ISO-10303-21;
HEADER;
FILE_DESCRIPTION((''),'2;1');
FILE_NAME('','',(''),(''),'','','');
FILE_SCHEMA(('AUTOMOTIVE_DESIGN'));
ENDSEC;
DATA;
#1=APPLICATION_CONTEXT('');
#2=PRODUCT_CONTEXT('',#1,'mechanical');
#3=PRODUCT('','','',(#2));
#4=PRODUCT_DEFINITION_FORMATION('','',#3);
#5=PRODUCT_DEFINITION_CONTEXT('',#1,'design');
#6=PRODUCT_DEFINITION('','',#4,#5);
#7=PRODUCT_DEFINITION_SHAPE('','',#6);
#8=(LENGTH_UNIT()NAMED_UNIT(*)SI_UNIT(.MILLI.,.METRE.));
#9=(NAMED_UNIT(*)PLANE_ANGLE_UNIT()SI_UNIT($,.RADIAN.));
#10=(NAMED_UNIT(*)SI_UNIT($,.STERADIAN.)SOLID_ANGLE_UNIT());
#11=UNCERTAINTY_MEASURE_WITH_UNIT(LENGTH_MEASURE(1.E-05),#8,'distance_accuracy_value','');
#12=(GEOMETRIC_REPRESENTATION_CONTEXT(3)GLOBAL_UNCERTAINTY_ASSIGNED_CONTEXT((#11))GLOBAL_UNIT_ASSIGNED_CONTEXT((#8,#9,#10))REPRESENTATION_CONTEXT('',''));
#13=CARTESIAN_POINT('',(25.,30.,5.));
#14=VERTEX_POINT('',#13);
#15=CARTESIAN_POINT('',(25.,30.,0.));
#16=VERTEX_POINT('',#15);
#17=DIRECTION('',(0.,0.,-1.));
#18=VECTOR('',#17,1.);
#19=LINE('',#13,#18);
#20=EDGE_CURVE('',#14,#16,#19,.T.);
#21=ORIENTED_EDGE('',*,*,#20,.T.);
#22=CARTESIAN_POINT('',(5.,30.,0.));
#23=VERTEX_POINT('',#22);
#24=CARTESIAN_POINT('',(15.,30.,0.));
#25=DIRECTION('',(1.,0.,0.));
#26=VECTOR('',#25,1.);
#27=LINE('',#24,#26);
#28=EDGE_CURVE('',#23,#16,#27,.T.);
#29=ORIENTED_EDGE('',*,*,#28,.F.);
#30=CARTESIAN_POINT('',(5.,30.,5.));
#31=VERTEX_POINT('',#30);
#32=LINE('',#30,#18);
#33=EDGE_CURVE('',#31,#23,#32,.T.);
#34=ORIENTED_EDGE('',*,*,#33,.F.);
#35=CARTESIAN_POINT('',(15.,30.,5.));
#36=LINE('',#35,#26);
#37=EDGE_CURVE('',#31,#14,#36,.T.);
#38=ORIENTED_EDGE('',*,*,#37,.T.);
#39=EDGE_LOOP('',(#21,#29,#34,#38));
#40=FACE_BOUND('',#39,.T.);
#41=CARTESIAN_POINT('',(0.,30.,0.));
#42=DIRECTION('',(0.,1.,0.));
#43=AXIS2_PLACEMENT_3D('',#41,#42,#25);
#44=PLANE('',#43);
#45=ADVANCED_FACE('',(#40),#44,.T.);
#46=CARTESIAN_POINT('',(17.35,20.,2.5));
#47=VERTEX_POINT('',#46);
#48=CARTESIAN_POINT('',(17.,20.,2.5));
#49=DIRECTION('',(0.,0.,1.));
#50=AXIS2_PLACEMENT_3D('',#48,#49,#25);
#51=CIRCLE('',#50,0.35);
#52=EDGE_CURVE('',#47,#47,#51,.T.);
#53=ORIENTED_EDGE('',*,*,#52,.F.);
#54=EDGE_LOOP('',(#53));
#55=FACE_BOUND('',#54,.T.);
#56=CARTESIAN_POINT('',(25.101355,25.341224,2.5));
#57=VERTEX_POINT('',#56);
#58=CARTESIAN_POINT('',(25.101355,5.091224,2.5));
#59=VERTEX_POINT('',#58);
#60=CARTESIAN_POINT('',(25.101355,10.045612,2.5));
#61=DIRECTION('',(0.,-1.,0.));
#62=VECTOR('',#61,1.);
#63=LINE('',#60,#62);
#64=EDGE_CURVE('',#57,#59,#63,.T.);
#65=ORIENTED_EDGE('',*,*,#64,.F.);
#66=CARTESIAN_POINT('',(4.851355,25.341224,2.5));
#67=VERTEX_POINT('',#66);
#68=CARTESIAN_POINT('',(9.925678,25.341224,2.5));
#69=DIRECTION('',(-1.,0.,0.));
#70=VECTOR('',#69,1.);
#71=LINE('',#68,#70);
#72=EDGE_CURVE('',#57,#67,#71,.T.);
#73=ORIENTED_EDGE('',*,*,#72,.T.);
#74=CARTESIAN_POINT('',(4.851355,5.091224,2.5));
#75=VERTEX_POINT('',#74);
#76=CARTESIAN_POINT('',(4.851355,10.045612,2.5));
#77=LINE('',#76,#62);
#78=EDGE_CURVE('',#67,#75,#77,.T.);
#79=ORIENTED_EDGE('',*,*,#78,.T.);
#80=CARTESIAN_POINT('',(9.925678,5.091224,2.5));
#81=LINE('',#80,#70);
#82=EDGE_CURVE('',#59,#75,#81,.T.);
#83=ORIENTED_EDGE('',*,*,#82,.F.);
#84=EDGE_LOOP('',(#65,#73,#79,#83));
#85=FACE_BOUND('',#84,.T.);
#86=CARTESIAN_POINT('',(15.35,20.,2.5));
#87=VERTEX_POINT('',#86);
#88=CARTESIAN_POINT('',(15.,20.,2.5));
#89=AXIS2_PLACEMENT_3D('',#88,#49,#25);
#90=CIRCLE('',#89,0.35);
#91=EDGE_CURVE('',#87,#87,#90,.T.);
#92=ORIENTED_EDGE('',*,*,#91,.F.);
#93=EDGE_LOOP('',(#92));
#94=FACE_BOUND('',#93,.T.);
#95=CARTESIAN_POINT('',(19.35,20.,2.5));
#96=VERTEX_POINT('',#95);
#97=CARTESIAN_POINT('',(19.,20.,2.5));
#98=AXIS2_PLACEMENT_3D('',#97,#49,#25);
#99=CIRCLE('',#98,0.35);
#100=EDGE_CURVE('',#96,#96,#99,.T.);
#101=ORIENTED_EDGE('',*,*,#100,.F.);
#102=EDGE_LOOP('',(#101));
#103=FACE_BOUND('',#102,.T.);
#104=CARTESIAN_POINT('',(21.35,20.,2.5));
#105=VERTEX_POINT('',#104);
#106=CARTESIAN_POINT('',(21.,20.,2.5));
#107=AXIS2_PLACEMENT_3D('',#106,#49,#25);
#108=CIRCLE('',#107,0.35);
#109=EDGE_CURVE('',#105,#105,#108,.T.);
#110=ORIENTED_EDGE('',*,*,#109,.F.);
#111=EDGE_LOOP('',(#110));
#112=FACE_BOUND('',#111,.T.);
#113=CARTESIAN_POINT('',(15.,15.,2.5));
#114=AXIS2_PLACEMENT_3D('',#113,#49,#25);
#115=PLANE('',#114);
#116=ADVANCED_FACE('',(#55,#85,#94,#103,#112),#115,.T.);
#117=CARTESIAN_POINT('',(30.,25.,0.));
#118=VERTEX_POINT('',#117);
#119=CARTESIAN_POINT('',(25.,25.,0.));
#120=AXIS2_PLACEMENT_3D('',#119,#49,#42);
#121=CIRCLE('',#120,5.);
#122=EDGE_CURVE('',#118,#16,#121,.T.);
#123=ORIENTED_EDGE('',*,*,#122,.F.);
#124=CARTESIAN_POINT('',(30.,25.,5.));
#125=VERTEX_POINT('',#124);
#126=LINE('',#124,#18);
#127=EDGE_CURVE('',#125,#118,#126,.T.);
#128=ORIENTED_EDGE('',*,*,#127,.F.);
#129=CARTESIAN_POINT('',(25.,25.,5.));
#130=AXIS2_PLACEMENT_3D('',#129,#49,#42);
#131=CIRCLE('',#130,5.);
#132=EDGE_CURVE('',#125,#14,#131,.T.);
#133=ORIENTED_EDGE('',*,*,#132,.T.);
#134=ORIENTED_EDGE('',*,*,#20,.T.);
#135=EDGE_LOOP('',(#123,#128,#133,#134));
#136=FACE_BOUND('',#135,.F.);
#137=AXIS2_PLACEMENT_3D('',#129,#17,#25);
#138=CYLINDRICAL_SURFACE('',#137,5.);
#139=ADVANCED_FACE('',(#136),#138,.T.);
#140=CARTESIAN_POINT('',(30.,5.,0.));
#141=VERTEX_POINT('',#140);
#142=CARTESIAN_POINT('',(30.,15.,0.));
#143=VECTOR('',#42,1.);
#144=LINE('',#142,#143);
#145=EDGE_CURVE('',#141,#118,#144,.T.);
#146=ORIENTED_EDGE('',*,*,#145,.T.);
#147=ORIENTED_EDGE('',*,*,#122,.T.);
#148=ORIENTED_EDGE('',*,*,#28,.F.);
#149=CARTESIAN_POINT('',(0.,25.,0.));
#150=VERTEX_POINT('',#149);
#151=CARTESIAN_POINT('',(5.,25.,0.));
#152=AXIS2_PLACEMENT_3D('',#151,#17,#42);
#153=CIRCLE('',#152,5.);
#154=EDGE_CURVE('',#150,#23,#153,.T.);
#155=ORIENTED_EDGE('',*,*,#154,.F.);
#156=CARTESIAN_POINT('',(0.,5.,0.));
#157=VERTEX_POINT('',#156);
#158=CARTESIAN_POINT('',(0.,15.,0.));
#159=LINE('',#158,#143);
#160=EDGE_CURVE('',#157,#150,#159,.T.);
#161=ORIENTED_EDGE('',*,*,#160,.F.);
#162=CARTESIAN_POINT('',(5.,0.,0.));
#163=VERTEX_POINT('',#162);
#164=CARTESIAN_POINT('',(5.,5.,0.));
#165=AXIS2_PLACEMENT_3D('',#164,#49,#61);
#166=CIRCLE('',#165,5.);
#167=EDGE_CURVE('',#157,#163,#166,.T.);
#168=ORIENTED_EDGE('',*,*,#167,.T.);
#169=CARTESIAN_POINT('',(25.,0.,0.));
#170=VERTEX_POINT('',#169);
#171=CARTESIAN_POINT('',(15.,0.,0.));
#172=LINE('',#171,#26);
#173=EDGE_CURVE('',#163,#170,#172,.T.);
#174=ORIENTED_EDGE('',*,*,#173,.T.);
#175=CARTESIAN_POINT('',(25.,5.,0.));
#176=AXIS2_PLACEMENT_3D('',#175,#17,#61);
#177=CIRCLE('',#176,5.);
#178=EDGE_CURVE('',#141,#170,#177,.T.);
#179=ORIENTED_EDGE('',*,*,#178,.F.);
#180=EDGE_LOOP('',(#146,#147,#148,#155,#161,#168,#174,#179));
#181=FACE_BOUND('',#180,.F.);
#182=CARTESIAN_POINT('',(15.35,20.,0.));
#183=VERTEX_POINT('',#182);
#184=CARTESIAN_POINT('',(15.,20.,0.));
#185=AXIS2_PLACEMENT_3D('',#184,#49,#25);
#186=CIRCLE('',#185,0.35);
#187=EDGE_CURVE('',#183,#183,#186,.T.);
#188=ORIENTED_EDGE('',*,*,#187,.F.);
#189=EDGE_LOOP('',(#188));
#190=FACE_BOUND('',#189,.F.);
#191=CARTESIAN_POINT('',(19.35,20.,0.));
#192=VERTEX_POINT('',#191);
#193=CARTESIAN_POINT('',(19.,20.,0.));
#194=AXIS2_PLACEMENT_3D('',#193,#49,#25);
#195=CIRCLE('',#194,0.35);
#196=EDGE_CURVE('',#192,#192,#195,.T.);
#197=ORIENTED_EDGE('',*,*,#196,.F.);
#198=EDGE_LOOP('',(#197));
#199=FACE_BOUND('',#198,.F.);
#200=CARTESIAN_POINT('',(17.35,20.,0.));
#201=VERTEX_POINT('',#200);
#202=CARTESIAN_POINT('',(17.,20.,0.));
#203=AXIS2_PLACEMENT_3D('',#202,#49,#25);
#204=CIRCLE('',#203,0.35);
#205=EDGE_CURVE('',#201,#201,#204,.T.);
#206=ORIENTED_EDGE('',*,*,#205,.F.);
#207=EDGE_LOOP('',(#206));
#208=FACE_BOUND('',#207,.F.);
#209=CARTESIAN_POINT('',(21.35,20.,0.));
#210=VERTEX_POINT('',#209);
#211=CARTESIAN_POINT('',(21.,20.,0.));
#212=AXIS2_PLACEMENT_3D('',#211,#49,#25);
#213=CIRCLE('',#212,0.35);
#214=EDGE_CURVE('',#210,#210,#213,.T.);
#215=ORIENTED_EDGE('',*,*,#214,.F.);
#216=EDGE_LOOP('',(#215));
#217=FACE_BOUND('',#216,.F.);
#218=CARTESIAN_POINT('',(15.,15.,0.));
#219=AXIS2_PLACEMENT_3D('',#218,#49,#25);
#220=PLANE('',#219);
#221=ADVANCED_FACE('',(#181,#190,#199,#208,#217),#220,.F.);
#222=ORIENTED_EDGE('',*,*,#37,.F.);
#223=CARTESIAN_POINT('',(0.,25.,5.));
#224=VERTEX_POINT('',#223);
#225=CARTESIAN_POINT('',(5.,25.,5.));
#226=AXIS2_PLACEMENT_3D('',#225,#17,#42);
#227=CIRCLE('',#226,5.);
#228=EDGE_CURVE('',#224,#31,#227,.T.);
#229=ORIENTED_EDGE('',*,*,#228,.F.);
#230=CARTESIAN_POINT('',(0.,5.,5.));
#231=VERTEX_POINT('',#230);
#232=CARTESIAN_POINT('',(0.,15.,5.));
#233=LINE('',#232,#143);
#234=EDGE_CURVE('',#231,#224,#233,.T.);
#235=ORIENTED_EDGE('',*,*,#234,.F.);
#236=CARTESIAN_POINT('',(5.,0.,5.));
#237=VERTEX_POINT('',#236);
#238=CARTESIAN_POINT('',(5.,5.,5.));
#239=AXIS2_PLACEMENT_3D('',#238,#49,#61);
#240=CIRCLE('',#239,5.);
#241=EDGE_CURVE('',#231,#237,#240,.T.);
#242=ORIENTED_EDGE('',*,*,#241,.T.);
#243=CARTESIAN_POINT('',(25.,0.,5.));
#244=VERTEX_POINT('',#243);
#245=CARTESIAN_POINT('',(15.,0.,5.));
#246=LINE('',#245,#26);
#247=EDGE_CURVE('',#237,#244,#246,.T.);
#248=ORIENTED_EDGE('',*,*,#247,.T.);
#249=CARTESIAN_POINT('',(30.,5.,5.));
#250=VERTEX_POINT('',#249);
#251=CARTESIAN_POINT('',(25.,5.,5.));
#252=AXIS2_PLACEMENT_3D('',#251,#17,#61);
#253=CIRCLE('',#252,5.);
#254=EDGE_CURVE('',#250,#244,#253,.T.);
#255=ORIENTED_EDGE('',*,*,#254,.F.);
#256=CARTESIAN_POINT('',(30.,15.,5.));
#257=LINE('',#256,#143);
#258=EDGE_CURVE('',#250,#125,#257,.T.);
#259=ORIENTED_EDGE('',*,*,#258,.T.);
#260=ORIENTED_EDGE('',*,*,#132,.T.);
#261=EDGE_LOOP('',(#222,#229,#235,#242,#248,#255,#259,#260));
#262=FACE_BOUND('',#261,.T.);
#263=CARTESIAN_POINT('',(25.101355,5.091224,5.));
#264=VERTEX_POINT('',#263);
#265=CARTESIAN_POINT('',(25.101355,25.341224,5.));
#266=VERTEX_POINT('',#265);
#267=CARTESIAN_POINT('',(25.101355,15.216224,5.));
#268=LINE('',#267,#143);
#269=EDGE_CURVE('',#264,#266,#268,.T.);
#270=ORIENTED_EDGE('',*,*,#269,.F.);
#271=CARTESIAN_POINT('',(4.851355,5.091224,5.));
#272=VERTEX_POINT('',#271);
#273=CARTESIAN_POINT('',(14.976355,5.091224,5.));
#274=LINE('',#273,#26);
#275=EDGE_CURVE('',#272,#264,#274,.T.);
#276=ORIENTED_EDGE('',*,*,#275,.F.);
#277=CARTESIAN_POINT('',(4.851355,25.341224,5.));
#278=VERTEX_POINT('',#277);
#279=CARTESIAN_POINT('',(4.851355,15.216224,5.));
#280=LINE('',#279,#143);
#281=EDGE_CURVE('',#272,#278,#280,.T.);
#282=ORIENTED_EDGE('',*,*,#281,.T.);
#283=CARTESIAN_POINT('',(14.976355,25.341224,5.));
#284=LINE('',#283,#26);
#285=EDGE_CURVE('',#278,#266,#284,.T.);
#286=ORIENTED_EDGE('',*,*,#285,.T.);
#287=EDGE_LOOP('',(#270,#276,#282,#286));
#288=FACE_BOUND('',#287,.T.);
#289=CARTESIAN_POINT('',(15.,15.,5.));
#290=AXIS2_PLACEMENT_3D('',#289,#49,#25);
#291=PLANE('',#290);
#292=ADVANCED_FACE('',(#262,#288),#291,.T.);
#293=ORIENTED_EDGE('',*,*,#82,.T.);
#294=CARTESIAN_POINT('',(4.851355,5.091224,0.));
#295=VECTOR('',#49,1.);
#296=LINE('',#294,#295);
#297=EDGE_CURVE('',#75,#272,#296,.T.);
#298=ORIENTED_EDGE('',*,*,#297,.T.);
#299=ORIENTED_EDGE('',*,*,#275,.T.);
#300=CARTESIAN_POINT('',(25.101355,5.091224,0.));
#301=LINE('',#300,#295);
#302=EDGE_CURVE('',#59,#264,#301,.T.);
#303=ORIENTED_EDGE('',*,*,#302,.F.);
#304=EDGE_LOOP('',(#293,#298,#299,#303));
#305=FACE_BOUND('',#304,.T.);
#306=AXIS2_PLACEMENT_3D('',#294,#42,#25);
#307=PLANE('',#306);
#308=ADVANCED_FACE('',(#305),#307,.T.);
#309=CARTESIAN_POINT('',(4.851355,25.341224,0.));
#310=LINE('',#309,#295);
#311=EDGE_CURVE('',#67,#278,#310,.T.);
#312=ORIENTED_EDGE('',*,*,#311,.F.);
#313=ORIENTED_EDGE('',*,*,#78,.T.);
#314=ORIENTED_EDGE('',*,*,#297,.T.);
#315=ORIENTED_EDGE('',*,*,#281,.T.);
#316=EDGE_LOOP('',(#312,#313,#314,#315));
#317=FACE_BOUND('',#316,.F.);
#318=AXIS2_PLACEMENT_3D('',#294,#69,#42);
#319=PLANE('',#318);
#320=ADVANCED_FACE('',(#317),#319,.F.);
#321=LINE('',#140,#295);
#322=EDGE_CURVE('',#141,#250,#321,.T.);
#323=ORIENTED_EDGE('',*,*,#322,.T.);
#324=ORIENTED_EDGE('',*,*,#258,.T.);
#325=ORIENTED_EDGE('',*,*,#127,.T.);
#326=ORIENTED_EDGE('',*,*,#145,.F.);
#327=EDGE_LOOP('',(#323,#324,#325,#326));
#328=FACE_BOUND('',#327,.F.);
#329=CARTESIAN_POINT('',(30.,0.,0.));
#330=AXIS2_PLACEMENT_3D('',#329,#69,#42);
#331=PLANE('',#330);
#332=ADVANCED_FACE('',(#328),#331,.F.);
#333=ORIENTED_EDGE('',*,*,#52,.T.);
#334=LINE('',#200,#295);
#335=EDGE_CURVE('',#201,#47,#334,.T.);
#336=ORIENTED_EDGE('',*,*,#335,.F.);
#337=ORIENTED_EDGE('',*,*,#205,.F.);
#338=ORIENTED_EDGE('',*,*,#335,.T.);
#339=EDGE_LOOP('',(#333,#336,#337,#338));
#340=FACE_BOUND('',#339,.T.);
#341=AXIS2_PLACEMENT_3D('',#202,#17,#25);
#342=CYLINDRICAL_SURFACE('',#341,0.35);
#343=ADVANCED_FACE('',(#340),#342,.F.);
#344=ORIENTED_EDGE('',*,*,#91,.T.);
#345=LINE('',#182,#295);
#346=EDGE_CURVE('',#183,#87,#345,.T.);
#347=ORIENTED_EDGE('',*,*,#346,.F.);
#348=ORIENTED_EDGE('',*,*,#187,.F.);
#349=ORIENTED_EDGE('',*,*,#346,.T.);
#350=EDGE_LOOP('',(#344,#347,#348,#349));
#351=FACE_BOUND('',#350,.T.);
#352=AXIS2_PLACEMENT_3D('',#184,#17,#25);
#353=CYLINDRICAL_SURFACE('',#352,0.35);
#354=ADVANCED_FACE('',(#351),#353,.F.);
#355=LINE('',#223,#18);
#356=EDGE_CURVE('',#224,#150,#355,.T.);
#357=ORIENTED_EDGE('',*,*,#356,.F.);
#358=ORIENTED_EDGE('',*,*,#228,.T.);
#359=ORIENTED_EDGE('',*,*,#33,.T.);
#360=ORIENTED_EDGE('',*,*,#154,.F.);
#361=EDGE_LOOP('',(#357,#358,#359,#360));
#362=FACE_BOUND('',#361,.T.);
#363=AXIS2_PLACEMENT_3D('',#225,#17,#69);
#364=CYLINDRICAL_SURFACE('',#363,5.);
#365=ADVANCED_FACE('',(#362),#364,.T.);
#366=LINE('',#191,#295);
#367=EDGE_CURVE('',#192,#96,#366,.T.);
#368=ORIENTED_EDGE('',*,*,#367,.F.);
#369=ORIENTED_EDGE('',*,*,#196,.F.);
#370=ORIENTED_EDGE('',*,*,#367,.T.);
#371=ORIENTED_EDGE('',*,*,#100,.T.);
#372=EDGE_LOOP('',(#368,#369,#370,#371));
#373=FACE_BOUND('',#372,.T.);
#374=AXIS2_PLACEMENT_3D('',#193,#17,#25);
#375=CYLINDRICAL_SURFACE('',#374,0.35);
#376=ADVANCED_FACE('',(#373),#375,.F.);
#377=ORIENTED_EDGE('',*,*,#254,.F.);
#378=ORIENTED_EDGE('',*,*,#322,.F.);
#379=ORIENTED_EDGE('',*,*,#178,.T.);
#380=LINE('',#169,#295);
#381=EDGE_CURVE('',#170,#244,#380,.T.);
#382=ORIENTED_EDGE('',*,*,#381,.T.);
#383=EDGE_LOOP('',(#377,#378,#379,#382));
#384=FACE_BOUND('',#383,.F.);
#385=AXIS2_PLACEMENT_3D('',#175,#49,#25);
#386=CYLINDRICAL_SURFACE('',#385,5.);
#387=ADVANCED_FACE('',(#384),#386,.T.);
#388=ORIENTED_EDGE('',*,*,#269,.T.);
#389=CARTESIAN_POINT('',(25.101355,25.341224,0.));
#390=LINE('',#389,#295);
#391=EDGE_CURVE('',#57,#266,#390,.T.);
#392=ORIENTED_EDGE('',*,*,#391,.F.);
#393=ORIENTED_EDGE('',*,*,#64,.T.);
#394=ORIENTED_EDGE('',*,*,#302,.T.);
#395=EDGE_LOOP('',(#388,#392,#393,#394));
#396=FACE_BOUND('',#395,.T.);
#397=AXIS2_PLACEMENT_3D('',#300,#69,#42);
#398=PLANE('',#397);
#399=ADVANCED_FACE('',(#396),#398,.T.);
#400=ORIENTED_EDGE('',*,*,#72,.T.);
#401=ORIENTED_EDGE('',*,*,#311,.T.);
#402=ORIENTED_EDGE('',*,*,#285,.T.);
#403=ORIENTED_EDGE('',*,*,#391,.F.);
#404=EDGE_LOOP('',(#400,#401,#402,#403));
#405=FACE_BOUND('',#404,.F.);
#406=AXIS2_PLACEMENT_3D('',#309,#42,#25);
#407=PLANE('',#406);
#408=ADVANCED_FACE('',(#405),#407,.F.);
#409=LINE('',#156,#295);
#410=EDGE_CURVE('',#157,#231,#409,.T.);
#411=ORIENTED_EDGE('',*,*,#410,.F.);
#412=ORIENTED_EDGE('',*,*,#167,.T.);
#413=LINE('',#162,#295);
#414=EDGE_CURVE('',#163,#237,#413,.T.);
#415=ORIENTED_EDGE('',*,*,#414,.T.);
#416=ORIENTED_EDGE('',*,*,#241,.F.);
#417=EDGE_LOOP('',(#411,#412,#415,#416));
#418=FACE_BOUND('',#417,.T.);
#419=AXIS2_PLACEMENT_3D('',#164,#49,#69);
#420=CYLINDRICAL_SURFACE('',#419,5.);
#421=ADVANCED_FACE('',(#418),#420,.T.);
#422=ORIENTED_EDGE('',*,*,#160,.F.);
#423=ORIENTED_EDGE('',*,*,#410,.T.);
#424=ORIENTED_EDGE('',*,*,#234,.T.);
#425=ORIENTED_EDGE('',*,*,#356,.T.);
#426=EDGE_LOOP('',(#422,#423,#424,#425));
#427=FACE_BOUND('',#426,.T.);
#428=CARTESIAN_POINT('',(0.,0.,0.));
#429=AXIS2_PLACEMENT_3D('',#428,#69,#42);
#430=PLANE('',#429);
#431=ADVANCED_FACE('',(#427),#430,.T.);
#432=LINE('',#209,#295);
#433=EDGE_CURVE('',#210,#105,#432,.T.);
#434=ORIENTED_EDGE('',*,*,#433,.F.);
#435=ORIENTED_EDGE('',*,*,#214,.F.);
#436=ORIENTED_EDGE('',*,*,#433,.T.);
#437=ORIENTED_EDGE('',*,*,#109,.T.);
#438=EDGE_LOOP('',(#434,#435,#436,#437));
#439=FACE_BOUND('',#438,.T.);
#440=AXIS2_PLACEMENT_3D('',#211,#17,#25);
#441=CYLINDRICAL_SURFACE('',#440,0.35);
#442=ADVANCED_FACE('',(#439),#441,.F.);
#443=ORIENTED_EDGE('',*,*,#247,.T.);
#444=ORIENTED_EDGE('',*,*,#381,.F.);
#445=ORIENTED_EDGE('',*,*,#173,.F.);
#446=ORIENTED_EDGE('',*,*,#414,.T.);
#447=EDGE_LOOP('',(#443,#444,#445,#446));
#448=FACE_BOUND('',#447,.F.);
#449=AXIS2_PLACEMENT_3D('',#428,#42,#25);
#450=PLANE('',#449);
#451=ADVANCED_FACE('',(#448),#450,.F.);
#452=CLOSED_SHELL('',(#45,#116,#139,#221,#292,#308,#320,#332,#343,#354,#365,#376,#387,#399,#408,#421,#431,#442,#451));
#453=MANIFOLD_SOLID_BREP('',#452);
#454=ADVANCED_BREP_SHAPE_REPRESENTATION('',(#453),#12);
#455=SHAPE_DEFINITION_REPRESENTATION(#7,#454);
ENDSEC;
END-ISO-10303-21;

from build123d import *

# Parameters (mm, degrees)
F0_W     = 30
F0_H     = 30
F0_R     = 0.35
F1_DEPTH = 2.5
F2_W     = 30
F2_H     = 30
F2_W_2   = 20.25
F2_H_2   = 20.25
F3_DEPTH = 5
F4_R     = 5


with BuildPart() as f1:
    # F0 (on Top) → F1 (new body)
    with BuildSketch(Plane.XY):
        with Locations((15, 15)):
            Rectangle(F0_W, F0_H)
        with Locations((15, 20)):
            Circle(F0_R, mode=Mode.SUBTRACT)
        with Locations((17, 20)):
            Circle(F0_R, mode=Mode.SUBTRACT)
        with Locations((19, 20)):
            Circle(F0_R, mode=Mode.SUBTRACT)
        with Locations((21, 20)):
            Circle(F0_R, mode=Mode.SUBTRACT)
    extrude(amount=F1_DEPTH)

    # F2 (on Top) → F3 (join)
    with BuildSketch(Plane.XY):
        with Locations((15, 15)):
            Rectangle(F2_W, F2_H)
        with Locations((14.976355, 15.216224)):
            Rectangle(F2_W_2, F2_H_2, mode=Mode.SUBTRACT)
    extrude(amount=F3_DEPTH)

    # F4
    f4_edges = [f1.edges().sort_by_distance(p)[0] for p in [
        (0, 30, 2.5),
        (0, 0, 2.5),
        (30, 30, 2.5),
        (30, 0, 2.5),
    ]]
    fillet(f4_edges, radius=F4_R)


solid = f1.part
